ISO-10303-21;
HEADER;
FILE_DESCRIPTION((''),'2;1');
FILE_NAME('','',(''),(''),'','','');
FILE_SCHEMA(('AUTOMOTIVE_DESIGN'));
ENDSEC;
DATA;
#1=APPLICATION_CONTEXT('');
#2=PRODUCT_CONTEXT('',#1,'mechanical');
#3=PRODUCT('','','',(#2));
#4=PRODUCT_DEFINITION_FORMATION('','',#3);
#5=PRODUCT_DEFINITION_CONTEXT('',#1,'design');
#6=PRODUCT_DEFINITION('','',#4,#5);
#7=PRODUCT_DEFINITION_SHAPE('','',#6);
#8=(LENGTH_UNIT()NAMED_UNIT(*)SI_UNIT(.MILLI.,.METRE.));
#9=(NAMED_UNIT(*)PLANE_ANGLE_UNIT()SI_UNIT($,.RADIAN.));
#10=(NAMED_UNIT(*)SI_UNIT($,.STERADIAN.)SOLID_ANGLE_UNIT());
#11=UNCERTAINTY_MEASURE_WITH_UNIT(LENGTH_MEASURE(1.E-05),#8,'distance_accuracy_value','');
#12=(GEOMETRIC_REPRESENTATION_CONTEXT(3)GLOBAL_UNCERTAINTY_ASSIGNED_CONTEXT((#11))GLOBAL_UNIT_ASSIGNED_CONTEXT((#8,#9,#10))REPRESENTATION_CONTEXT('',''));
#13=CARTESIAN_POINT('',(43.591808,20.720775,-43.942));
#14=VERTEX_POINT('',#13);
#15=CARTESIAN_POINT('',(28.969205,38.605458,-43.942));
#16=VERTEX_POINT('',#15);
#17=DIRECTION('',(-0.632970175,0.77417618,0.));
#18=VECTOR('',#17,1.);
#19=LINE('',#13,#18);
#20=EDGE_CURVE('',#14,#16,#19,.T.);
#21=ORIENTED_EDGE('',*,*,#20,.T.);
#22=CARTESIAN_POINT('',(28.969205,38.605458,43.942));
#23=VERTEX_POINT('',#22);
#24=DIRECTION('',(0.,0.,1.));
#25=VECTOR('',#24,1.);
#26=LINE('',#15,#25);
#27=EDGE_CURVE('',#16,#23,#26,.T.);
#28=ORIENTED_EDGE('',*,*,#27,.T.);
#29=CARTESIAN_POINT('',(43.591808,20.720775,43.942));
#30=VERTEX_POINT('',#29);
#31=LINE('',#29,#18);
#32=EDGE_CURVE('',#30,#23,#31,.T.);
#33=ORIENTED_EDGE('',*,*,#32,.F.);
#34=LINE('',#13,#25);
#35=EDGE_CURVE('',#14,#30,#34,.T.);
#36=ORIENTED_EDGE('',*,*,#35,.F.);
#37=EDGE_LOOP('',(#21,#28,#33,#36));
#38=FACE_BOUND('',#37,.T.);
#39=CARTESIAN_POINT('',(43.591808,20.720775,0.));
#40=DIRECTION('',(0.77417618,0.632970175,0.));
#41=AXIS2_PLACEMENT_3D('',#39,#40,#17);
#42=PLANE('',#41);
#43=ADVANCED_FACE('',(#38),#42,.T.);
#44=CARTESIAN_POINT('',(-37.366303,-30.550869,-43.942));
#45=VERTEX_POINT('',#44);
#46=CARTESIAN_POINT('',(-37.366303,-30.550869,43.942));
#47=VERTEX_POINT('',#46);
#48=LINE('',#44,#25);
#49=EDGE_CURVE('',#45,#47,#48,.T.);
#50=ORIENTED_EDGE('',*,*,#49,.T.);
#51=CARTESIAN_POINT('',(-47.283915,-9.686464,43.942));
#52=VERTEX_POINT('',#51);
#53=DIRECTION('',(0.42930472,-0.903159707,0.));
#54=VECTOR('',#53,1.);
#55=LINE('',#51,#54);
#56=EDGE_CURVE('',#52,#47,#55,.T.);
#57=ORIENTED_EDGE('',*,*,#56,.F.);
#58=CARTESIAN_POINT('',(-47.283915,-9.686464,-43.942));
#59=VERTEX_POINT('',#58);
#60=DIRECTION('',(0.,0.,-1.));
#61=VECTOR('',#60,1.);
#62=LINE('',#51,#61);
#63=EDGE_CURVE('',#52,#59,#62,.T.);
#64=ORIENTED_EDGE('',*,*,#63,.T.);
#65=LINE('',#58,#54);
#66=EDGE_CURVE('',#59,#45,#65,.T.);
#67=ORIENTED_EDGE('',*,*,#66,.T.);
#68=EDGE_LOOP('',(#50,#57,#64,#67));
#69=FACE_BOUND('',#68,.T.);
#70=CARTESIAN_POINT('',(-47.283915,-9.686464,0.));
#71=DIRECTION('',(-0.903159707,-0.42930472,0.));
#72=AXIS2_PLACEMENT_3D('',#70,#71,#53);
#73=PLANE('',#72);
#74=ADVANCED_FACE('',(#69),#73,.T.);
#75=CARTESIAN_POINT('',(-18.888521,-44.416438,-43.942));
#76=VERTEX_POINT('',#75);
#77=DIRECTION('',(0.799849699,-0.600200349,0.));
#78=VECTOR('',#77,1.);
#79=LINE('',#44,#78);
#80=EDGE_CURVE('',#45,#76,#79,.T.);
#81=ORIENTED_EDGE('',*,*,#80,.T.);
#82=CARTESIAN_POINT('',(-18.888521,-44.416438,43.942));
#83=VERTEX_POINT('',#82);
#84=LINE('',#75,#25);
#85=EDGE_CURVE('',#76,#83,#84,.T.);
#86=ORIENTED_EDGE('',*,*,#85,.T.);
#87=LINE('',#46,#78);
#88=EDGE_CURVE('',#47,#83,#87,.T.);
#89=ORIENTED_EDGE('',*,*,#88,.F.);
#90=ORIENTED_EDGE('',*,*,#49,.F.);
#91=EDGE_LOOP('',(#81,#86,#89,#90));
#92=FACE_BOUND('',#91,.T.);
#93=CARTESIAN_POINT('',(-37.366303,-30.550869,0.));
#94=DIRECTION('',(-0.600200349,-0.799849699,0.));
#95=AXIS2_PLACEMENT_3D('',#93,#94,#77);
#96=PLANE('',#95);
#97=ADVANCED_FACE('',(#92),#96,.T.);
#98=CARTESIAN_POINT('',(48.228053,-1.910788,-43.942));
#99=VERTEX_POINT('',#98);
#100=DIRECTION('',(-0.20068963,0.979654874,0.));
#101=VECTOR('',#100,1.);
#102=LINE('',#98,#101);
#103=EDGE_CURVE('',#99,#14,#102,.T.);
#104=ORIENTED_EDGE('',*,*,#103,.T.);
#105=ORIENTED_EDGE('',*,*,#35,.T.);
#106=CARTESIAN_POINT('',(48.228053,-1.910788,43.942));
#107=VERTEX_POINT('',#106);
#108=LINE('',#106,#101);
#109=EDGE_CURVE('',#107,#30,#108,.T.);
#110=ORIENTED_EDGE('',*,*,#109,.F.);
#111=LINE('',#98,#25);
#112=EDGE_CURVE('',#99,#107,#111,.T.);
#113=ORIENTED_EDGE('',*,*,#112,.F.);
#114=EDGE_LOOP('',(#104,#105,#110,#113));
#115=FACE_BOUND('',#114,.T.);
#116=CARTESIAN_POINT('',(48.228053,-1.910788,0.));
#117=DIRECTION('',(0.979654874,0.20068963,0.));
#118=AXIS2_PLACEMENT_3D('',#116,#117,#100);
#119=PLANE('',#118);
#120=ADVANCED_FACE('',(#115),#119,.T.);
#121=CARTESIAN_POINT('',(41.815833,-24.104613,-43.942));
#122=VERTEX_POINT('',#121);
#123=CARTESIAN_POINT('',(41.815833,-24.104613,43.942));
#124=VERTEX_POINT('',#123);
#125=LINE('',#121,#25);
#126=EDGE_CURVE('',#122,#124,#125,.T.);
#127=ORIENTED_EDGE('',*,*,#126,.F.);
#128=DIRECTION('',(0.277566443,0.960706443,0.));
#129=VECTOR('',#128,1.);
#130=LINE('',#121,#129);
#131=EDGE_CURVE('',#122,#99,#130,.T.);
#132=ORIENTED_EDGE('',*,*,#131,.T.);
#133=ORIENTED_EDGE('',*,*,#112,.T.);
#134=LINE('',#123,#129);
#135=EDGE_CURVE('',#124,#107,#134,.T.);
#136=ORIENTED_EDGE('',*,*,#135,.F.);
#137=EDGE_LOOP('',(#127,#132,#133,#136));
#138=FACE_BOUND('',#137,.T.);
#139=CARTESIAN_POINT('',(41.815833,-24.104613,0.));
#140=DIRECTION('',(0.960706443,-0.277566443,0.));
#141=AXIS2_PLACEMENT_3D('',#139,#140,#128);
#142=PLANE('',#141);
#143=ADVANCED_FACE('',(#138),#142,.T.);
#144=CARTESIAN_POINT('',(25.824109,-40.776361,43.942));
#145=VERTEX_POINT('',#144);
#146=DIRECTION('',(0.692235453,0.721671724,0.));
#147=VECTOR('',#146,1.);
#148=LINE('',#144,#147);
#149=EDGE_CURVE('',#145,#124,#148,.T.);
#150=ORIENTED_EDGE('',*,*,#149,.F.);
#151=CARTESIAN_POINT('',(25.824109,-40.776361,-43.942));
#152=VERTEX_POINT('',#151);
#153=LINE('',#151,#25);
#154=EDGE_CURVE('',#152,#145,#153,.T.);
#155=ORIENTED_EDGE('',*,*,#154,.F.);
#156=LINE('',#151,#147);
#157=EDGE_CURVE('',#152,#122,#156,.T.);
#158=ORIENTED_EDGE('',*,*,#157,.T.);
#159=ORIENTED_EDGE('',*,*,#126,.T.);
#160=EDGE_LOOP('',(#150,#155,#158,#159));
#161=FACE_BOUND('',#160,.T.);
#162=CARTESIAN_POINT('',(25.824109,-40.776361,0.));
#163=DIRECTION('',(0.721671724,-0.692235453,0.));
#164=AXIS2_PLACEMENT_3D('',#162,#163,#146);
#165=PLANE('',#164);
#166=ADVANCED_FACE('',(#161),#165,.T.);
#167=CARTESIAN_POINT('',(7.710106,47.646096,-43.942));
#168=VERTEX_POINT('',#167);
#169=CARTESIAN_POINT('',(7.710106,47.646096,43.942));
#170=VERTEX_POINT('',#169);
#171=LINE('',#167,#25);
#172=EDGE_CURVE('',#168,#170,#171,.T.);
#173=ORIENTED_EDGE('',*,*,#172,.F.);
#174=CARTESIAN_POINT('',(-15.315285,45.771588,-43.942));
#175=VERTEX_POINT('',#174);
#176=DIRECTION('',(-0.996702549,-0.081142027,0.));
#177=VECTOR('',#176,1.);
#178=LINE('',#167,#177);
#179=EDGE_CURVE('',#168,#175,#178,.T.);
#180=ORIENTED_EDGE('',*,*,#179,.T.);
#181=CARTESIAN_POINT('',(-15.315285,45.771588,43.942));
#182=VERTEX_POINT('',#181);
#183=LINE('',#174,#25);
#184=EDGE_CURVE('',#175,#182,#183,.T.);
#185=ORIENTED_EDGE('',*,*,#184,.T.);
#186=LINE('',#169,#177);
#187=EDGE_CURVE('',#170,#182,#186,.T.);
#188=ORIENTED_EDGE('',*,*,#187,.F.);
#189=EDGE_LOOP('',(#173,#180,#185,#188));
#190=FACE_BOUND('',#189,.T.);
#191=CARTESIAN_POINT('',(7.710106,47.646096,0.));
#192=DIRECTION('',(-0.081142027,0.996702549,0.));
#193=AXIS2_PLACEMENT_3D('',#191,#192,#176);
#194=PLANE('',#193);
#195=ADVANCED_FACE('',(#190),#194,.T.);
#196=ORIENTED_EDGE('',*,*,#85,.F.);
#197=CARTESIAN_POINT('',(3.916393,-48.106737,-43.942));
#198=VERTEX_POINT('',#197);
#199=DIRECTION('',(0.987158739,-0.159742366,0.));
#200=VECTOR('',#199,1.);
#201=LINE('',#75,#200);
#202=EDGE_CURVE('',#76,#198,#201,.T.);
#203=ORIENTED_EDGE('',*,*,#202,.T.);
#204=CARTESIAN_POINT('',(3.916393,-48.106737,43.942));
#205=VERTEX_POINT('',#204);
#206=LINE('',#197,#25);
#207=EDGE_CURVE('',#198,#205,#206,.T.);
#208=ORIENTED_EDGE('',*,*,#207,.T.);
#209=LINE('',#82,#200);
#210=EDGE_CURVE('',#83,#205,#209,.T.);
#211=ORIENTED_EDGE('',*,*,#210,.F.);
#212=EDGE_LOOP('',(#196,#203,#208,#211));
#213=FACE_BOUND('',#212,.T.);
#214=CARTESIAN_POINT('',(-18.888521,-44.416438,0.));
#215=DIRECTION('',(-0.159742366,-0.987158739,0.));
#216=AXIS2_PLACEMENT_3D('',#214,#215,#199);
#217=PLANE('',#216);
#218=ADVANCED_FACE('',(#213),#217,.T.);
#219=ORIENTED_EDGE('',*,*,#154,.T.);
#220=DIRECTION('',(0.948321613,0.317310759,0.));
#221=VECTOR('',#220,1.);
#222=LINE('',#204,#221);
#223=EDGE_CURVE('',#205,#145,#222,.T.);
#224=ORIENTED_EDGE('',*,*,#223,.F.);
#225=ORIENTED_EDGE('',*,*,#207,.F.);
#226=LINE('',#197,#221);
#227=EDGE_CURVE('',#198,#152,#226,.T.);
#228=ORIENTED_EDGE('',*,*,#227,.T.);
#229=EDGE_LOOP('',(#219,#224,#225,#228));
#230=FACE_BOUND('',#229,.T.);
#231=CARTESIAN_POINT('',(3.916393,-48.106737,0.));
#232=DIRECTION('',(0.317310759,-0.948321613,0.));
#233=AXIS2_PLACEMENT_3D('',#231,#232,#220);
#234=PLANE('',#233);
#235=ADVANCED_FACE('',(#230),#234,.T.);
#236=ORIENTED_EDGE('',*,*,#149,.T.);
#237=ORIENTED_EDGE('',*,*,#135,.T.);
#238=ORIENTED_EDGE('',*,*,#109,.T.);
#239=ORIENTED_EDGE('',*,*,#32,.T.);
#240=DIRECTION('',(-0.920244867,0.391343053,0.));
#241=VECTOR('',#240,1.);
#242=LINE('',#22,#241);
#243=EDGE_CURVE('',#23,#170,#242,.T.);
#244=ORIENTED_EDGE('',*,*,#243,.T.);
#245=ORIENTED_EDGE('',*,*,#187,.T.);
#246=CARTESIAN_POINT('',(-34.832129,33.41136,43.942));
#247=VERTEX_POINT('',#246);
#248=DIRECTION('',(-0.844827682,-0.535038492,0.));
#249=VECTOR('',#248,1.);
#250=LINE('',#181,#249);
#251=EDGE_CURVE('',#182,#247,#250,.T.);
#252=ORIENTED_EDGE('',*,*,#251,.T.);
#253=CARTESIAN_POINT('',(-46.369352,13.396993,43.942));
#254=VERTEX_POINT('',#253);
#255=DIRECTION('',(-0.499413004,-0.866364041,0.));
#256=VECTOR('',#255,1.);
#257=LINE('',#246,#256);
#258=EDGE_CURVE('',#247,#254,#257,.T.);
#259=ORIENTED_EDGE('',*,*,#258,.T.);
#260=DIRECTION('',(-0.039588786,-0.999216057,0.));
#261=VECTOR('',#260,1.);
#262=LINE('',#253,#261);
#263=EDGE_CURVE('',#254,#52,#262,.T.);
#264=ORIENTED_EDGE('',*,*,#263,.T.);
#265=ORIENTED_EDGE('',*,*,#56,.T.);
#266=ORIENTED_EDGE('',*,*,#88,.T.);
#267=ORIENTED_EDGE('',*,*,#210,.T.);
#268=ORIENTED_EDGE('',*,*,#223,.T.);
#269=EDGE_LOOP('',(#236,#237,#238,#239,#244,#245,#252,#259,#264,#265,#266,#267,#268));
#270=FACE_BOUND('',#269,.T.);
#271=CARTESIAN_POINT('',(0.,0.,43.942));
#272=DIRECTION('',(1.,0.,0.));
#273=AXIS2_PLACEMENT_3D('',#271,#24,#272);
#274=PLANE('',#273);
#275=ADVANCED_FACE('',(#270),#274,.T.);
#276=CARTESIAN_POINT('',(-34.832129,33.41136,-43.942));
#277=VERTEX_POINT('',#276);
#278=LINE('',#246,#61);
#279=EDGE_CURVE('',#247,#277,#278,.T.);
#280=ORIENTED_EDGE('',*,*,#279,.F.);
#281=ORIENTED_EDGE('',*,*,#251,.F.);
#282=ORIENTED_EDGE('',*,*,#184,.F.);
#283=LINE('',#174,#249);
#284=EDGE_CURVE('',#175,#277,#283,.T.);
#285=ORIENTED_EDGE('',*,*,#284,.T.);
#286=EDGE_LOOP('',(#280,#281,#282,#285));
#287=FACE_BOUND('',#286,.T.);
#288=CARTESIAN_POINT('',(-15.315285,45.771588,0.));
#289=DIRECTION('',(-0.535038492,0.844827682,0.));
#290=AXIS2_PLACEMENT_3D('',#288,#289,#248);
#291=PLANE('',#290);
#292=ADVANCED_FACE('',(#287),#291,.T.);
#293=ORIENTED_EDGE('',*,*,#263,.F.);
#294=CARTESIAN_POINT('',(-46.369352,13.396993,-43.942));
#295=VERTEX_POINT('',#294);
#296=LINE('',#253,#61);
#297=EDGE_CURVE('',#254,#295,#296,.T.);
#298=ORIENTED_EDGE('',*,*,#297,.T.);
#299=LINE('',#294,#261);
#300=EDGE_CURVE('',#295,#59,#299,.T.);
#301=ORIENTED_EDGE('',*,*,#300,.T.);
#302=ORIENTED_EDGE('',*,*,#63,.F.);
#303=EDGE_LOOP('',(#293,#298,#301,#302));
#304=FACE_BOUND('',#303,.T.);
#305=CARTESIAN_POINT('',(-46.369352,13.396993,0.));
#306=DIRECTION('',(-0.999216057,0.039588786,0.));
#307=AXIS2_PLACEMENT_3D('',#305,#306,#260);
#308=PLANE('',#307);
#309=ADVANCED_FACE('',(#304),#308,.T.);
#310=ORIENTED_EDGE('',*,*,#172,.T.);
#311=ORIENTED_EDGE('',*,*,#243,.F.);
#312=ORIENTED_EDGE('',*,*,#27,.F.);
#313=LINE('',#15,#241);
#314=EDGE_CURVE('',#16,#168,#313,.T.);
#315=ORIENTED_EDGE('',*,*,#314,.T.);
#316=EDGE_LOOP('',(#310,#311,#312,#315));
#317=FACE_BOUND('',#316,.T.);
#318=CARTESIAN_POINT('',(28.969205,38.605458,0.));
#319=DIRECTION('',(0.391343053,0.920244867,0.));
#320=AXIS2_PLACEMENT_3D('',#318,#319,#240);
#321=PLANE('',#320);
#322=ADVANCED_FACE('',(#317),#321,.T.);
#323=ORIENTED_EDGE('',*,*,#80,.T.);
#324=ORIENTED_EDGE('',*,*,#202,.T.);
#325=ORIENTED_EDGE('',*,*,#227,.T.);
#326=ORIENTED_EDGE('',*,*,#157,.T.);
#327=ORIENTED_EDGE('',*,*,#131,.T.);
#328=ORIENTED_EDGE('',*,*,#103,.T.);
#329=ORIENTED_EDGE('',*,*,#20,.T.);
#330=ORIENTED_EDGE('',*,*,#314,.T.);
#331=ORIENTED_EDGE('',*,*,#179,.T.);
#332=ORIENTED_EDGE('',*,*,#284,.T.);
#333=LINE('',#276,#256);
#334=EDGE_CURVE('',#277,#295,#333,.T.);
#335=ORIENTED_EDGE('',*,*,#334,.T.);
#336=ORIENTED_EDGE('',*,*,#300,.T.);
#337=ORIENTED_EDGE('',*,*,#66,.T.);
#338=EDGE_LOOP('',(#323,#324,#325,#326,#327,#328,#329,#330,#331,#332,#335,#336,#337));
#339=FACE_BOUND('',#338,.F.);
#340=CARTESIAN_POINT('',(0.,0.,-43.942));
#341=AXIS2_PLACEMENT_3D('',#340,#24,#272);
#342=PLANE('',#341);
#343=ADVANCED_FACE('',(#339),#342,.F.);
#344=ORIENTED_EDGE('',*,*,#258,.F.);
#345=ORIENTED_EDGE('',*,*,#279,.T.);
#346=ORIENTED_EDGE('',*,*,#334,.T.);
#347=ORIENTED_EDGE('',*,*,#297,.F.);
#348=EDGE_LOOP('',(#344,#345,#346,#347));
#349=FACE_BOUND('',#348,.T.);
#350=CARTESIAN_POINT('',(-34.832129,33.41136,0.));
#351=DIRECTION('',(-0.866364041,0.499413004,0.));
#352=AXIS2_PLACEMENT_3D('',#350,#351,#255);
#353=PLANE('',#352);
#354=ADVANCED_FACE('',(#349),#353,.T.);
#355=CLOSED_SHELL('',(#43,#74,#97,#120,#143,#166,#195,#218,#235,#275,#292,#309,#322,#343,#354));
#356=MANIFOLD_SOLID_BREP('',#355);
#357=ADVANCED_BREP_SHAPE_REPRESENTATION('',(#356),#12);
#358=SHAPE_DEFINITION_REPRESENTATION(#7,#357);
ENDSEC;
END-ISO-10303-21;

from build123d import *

# Parameters (mm, degrees)
F1_DEPTH = 43.942


with BuildPart() as f1:
    # F0 (on Top) → F1 (new body, symmetric)
    with BuildSketch(Plane.XY):
        Polygon((-47.283915, -9.686464), (-37.366303, -30.550869), (-18.888521, -44.416438), (3.916393, -48.106737), (25.824109, -40.776361), (41.815833, -24.104613), (48.228053, -1.910788), (43.591808, 20.720775), (28.969205, 38.605458), (7.710106, 47.646096), (-15.315285, 45.771588), (-34.832129, 33.41136), (-46.369352, 13.396993), align=None)
    extrude(amount=F1_DEPTH, both=True)


solid = f1.part
